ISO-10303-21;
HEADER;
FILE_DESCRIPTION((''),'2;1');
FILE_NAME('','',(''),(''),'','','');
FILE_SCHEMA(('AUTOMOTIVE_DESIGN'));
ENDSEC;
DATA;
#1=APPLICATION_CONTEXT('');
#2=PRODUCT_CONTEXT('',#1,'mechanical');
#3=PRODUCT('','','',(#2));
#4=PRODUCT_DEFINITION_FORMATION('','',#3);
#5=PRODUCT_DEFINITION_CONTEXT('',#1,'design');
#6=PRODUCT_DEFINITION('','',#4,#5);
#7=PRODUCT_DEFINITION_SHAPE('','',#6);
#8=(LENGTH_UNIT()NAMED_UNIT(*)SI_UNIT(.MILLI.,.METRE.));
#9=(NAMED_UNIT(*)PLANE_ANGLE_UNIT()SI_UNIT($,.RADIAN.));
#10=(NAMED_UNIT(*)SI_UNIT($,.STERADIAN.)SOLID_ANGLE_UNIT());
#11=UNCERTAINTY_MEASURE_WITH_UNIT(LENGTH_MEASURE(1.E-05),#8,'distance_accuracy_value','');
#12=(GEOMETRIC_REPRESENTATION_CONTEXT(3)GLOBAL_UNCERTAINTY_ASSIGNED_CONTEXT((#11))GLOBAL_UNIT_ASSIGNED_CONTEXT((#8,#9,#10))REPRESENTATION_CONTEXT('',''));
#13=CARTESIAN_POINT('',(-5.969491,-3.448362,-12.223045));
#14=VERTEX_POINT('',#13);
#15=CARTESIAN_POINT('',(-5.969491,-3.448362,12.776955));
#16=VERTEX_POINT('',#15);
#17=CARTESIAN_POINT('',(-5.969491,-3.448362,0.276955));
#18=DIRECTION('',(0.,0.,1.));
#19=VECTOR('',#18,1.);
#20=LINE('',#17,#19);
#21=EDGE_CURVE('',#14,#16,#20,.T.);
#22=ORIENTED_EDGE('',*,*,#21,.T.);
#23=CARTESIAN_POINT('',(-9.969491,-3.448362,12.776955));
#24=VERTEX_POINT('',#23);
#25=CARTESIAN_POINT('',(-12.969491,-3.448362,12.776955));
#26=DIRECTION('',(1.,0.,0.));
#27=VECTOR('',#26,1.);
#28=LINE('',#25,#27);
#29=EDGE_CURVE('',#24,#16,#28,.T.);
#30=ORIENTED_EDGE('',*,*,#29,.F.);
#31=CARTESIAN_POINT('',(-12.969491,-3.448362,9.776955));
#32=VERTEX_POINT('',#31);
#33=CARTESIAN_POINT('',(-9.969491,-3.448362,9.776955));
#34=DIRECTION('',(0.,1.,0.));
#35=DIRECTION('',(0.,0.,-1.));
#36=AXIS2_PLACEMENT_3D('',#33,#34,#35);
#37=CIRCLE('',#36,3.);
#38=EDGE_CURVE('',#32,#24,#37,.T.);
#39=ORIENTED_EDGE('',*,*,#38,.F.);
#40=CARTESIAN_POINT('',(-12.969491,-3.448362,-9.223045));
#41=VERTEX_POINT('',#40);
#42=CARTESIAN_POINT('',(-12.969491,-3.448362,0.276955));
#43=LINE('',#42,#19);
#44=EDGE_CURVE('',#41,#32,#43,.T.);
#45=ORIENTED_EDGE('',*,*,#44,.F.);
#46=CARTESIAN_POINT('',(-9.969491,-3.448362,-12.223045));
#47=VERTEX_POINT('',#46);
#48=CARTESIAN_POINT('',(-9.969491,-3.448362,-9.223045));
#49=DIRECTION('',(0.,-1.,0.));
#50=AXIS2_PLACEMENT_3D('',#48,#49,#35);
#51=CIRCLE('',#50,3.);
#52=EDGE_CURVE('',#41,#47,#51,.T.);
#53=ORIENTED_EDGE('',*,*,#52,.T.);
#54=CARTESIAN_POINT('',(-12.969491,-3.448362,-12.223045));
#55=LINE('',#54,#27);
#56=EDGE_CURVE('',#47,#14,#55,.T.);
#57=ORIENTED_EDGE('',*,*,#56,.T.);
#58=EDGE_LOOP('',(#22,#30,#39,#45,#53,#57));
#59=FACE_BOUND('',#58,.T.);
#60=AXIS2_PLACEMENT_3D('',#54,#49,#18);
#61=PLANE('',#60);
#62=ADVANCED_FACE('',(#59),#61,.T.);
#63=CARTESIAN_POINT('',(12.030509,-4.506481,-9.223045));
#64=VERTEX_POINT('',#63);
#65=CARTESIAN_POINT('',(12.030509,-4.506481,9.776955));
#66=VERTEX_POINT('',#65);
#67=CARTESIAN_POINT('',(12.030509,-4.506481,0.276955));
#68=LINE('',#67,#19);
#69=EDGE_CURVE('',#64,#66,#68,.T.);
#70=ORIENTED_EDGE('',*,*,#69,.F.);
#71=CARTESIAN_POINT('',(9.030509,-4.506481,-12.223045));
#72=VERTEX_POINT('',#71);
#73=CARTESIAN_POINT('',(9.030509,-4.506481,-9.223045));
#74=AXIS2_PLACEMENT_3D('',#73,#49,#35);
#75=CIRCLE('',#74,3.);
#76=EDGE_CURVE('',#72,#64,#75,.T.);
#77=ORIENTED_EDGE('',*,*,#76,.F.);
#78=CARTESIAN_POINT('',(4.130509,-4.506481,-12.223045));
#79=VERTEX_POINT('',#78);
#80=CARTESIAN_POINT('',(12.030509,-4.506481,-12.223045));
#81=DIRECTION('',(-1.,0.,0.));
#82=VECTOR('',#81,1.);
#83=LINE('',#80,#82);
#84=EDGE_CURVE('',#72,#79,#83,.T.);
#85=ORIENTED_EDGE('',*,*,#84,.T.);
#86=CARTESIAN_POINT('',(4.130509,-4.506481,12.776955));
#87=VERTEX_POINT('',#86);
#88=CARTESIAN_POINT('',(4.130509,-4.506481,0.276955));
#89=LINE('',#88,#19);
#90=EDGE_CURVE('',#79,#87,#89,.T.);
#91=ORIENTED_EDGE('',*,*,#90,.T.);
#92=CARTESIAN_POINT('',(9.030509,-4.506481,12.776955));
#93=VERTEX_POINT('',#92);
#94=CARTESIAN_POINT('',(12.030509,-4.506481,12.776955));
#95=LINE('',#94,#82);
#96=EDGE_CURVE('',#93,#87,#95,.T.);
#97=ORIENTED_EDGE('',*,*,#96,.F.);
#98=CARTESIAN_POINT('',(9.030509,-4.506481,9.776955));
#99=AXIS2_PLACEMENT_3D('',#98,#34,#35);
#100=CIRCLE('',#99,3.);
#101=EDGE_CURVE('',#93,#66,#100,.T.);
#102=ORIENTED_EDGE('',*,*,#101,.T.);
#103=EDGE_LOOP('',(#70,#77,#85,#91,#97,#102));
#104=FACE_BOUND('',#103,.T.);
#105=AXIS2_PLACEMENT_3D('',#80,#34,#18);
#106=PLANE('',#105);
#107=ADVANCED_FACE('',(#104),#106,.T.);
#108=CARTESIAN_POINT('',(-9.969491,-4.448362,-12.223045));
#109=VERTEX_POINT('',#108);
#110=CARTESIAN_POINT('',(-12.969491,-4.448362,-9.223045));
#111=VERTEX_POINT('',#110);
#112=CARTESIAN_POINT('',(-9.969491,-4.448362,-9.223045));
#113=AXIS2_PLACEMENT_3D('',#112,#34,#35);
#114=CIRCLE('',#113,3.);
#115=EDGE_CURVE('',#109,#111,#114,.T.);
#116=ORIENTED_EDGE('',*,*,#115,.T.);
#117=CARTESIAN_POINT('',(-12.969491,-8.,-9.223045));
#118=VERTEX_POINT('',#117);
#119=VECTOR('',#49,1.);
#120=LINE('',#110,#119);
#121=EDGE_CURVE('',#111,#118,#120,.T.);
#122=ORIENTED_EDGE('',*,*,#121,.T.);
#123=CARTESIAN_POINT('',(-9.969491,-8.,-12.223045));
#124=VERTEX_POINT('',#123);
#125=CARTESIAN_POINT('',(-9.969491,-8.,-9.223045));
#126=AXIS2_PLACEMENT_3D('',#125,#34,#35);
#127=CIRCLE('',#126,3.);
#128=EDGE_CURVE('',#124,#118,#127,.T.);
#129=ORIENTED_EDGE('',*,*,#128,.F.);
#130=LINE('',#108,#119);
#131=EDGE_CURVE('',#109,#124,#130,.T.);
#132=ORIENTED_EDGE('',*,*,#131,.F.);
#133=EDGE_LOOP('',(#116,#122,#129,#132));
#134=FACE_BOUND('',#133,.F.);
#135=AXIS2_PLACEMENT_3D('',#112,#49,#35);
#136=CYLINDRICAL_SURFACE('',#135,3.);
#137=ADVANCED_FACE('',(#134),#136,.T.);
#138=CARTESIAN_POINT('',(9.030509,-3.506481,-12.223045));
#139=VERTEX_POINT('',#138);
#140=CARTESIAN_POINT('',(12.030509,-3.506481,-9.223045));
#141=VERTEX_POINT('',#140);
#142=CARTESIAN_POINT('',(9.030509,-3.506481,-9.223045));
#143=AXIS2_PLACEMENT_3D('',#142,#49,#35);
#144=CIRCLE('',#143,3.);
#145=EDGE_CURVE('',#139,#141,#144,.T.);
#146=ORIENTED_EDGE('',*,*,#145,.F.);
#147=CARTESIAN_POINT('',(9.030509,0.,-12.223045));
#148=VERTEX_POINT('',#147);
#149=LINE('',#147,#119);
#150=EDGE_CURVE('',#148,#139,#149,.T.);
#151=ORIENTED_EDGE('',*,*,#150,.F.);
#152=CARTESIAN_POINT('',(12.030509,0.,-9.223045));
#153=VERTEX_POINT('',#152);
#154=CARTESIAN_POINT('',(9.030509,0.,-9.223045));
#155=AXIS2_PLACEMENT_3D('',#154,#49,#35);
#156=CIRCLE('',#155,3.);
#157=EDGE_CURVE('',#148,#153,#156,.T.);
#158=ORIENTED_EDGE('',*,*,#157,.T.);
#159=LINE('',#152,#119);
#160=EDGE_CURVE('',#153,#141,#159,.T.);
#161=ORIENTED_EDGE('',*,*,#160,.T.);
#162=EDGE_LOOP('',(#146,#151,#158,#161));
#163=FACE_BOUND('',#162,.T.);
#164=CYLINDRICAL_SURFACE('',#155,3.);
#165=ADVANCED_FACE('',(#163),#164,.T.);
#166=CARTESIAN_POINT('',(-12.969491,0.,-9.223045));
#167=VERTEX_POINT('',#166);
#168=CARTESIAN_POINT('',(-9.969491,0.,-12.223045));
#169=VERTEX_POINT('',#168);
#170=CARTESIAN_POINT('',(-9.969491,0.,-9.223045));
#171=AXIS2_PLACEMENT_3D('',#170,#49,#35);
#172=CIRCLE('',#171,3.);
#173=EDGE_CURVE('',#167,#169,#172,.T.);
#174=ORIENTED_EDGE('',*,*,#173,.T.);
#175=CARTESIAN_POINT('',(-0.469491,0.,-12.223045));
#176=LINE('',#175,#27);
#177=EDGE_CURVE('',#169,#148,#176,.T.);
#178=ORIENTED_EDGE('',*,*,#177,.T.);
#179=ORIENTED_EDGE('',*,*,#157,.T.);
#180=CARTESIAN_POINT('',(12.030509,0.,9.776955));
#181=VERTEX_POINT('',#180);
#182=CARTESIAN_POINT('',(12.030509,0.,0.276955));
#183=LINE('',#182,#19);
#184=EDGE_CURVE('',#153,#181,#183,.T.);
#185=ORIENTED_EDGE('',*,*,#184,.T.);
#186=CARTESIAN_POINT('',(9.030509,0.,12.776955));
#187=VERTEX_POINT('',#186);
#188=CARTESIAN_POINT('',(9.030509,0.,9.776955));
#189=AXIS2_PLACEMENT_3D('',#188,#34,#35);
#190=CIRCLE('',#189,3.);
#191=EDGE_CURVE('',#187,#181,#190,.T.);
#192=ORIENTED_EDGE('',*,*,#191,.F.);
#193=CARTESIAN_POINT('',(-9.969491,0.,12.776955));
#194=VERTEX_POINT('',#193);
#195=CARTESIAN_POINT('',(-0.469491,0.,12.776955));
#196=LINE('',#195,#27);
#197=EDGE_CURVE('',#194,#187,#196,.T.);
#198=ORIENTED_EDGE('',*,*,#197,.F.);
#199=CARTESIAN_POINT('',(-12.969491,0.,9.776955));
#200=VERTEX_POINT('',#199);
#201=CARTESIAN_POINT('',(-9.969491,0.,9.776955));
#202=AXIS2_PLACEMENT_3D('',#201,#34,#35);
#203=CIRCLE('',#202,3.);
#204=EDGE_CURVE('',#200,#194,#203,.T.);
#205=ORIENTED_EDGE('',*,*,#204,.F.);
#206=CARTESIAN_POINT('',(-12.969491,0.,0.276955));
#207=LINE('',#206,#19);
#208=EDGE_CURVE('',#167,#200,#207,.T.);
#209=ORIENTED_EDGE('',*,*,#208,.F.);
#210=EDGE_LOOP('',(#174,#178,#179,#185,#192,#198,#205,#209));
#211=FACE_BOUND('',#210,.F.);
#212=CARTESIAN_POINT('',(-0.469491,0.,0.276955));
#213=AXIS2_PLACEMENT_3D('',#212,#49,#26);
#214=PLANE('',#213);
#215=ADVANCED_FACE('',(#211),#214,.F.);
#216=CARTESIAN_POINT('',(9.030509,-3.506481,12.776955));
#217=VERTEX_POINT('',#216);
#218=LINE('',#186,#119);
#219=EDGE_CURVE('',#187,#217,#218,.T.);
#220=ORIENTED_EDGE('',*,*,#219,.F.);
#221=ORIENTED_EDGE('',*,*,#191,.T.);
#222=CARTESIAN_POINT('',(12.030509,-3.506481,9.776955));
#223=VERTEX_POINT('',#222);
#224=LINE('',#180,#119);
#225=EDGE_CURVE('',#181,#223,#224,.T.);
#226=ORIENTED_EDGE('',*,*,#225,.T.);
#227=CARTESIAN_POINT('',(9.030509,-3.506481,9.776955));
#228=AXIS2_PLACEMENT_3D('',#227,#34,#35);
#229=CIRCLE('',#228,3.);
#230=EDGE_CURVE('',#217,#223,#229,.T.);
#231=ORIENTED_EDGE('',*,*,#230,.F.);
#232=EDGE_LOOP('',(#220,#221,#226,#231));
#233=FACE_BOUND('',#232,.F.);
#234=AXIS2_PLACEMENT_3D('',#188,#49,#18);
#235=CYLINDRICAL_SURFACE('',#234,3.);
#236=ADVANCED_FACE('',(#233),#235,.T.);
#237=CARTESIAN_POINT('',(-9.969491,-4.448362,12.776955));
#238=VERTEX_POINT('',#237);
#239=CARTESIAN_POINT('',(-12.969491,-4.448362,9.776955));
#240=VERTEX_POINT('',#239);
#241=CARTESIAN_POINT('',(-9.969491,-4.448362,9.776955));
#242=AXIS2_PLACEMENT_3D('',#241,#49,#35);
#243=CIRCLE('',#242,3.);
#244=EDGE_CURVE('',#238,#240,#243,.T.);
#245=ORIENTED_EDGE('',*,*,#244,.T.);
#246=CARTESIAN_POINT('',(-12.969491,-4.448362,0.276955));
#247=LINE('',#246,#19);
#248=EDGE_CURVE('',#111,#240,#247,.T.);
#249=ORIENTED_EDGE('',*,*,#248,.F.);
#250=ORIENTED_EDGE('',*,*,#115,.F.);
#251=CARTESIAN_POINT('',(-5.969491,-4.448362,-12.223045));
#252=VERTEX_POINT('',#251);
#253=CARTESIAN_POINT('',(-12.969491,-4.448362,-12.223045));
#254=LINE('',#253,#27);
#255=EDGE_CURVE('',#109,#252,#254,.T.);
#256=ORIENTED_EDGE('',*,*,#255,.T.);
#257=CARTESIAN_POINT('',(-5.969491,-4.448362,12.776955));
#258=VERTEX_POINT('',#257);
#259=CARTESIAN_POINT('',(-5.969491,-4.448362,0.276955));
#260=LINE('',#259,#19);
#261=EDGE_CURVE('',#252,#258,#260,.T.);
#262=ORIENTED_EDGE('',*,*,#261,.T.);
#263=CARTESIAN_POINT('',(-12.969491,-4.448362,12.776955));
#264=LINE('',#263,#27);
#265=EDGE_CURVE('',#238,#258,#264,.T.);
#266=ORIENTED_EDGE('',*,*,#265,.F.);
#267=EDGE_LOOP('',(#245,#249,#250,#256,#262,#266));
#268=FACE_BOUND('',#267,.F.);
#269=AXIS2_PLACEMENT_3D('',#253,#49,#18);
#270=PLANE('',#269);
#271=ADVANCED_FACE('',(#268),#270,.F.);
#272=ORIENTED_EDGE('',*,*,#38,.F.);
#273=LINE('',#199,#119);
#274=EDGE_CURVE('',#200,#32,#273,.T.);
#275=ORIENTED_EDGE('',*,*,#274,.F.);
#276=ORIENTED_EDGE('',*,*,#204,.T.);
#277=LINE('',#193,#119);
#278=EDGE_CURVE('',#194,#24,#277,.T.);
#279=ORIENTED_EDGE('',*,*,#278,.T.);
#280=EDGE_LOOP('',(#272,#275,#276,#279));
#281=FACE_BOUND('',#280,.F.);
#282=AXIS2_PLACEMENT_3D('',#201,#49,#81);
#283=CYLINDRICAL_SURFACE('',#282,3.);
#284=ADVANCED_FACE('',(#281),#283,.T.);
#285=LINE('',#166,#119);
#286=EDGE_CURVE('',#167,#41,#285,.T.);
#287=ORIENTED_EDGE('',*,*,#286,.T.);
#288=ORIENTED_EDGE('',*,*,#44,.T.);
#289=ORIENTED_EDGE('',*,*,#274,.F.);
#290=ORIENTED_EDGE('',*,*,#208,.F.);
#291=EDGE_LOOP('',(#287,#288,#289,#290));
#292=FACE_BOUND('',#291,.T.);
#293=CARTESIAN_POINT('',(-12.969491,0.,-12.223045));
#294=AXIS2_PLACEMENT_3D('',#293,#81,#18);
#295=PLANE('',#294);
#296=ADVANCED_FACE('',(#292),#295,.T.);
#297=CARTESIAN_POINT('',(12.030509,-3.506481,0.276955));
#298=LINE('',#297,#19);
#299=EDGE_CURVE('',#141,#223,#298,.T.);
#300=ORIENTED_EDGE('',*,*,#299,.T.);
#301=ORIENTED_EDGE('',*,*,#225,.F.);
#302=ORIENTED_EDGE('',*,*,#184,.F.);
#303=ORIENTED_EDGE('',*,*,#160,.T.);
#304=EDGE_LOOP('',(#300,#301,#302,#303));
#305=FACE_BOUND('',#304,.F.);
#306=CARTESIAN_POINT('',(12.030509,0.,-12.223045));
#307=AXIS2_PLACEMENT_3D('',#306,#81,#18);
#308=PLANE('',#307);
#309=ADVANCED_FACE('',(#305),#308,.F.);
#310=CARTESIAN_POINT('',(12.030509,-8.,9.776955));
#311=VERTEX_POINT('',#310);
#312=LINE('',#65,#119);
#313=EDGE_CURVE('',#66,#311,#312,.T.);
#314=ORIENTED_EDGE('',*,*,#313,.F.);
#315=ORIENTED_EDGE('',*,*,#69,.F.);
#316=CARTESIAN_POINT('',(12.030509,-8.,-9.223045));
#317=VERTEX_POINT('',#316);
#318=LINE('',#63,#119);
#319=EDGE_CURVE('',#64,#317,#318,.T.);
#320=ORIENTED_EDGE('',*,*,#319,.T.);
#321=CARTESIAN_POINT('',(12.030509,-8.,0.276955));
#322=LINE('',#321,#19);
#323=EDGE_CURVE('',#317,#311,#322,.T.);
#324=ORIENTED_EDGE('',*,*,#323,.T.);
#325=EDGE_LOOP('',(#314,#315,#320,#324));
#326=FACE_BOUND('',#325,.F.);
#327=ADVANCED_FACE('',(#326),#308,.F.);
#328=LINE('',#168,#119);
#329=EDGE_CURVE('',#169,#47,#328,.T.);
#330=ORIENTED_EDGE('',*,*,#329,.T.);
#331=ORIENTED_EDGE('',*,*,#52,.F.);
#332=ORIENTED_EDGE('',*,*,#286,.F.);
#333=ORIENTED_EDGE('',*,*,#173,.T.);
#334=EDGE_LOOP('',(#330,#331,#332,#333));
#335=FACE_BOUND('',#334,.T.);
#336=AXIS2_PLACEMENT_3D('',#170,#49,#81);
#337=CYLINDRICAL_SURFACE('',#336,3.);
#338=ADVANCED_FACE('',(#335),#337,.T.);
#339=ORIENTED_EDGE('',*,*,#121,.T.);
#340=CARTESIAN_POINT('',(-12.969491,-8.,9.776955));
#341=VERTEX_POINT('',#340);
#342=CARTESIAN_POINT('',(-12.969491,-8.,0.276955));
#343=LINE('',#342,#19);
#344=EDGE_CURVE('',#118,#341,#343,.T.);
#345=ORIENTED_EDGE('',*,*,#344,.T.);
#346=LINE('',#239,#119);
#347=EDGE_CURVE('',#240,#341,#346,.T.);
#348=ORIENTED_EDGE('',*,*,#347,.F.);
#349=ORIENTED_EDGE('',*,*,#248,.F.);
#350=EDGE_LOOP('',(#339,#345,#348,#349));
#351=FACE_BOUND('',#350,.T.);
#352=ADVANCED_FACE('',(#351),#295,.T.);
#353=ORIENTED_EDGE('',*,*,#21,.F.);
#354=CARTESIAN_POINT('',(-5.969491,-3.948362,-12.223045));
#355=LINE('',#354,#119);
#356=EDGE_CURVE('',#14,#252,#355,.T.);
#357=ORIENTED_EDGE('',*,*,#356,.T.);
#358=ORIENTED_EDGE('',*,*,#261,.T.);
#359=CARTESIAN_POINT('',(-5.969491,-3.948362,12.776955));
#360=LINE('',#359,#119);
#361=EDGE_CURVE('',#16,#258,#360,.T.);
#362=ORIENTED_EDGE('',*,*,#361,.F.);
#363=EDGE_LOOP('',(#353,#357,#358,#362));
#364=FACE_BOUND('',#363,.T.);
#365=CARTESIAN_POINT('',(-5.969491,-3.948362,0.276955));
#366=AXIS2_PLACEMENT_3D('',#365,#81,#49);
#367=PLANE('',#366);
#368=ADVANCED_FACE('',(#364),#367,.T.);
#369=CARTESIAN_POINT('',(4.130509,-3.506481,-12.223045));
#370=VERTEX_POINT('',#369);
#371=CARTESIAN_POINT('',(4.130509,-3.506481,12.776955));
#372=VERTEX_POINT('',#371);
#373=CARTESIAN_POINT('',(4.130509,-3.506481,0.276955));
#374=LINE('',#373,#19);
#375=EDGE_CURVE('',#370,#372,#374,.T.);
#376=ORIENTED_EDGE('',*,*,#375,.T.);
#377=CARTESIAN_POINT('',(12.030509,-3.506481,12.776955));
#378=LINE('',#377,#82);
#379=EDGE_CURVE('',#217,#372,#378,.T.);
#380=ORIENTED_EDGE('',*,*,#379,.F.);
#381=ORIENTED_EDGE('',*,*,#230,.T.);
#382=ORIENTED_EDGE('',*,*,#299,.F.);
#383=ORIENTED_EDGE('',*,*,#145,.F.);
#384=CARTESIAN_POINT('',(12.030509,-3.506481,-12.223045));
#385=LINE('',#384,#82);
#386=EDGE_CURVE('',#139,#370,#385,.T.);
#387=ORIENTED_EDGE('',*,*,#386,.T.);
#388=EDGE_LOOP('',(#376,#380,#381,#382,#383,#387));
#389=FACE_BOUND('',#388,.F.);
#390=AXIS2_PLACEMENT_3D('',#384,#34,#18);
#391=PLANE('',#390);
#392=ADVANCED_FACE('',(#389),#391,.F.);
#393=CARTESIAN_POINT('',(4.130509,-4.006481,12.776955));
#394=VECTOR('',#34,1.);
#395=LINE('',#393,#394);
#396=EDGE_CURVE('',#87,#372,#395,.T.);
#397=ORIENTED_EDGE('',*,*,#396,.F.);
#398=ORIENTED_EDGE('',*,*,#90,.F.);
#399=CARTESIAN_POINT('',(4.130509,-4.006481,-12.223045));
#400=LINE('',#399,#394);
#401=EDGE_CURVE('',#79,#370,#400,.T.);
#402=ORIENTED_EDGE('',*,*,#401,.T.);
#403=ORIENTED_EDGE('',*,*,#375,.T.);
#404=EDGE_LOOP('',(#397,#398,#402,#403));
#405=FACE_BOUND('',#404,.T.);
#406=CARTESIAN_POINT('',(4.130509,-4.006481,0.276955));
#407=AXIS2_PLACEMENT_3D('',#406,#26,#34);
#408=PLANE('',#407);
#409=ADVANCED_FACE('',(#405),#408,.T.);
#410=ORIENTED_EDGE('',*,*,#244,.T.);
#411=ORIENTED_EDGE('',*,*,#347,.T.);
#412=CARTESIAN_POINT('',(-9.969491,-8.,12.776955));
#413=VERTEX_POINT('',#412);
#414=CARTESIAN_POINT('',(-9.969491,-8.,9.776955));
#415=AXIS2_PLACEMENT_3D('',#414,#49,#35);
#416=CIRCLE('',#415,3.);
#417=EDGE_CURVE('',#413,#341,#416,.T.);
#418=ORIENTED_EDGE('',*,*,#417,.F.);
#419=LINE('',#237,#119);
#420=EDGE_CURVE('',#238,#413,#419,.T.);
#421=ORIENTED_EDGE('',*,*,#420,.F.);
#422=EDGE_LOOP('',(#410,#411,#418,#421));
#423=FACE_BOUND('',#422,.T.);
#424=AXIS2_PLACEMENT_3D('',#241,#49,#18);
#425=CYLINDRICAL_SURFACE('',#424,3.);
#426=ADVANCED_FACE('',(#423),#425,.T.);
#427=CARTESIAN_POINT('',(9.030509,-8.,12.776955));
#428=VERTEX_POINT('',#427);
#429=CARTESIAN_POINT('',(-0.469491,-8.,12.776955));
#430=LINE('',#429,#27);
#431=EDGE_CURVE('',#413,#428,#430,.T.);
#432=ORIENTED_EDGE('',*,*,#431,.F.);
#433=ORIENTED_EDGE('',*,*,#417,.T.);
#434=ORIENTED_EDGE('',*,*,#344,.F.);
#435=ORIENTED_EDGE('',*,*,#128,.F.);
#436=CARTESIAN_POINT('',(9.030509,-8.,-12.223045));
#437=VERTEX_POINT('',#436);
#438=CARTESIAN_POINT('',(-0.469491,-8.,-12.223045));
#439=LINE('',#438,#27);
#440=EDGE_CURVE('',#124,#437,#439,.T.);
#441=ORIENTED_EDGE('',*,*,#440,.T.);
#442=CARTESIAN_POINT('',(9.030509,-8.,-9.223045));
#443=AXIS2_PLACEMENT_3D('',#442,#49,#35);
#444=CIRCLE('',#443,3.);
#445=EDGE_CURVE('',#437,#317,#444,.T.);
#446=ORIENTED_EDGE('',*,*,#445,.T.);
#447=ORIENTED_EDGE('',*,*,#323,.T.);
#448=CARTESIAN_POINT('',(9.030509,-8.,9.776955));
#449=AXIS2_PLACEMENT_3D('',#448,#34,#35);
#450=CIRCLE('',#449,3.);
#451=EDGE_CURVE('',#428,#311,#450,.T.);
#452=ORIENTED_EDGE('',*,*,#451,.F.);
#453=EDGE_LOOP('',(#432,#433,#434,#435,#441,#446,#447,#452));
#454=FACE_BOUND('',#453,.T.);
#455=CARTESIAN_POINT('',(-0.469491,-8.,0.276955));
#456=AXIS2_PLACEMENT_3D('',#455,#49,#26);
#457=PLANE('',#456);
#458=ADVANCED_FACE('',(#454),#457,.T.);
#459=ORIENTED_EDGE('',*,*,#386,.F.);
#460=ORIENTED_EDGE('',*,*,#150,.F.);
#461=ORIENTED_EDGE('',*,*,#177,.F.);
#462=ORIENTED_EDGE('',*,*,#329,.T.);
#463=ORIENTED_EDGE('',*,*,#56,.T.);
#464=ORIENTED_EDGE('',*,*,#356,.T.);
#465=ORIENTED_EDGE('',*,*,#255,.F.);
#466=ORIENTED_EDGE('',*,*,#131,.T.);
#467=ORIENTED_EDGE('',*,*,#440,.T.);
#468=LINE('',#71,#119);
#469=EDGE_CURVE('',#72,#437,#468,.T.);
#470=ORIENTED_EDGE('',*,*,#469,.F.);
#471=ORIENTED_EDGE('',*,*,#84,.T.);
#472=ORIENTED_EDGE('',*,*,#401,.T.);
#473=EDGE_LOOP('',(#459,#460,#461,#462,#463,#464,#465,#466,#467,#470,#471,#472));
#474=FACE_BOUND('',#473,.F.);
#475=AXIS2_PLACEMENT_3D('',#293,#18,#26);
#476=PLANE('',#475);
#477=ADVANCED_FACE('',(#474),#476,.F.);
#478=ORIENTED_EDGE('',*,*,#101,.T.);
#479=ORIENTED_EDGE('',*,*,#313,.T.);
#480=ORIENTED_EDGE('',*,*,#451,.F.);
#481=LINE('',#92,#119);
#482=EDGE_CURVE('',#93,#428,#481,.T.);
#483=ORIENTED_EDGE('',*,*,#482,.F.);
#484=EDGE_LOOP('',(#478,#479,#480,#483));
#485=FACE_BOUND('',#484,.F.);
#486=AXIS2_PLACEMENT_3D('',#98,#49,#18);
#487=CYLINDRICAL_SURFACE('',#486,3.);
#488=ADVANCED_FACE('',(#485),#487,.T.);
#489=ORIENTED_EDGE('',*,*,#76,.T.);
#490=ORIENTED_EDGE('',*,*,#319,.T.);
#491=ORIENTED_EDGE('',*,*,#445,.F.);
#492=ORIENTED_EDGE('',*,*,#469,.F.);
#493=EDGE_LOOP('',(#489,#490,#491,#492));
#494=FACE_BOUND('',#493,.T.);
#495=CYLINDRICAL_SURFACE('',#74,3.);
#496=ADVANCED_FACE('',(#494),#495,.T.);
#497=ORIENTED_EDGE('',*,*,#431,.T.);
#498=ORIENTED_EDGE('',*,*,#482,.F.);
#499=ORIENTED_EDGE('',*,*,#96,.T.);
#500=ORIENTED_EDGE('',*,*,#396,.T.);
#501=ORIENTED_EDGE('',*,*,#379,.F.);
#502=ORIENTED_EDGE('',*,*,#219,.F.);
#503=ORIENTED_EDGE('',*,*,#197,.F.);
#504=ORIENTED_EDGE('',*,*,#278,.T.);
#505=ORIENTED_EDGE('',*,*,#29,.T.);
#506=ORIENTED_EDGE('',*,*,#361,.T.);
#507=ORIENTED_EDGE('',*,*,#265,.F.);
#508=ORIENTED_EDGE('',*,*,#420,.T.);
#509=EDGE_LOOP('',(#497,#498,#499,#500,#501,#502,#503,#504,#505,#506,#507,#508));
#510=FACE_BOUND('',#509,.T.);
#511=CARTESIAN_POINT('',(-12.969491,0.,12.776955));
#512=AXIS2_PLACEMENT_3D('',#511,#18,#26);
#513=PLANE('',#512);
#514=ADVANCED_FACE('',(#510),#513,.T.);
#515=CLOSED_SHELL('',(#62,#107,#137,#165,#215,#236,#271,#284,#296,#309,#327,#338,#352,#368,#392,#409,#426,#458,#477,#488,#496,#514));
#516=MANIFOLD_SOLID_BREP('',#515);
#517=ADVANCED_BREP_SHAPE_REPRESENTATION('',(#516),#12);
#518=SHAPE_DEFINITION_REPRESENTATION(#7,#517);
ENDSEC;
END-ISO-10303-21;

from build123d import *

# Parameters (mm, degrees)
F0_W     = 25
F0_H     = 25
F1_DEPTH = 8
F2_W     = 1
F2_H     = 25
F3_DEPTH = 7
F4_W     = 1
F4_H     = 25
F5_DEPTH = 7.9
F6_R     = 3


with BuildPart() as f1:
    # F0 (on Front) → F1 (new body)
    with BuildSketch(Plane.XZ):
        with Locations((-0.469491, 0.276955)):
            Rectangle(F0_W, F0_H)
    extrude(amount=F1_DEPTH)

    # F2 (on face) → F3 (cut)
    with BuildSketch(Plane(origin=(-12.969491, 0, 0), x_dir=(0, -1, 0), z_dir=(-1, 0, 0))):
        with Locations((3.948362, 0.276955)):
            Rectangle(F2_W, F2_H)
    extrude(amount=-F3_DEPTH, mode=Mode.SUBTRACT)

    # F4 (on face) → F5 (cut)
    with BuildSketch(Plane.YZ.offset(12.030509)):
        with Locations((-4.006481, 0.276955)):
            Rectangle(F4_W, F4_H)
    extrude(amount=-F5_DEPTH, mode=Mode.SUBTRACT)

    # F6
    f6_edges = [f1.edges().sort_by_distance(p)[0] for p in [
        (-12.969491, -1.724181, 12.776955),
        (-12.969491, -6.224181, 12.776955),
        (12.030509, -6.25324, 12.776955),
        (12.030509, -1.75324, 12.776955),
        (12.030509, -6.25324, -12.223045),
        (12.030509, -1.75324, -12.223045),
        (-12.969491, -1.724181, -12.223045),
        (-12.969491, -6.224181, -12.223045),
    ]]
    fillet(f6_edges, radius=F6_R)


solid = f1.part
